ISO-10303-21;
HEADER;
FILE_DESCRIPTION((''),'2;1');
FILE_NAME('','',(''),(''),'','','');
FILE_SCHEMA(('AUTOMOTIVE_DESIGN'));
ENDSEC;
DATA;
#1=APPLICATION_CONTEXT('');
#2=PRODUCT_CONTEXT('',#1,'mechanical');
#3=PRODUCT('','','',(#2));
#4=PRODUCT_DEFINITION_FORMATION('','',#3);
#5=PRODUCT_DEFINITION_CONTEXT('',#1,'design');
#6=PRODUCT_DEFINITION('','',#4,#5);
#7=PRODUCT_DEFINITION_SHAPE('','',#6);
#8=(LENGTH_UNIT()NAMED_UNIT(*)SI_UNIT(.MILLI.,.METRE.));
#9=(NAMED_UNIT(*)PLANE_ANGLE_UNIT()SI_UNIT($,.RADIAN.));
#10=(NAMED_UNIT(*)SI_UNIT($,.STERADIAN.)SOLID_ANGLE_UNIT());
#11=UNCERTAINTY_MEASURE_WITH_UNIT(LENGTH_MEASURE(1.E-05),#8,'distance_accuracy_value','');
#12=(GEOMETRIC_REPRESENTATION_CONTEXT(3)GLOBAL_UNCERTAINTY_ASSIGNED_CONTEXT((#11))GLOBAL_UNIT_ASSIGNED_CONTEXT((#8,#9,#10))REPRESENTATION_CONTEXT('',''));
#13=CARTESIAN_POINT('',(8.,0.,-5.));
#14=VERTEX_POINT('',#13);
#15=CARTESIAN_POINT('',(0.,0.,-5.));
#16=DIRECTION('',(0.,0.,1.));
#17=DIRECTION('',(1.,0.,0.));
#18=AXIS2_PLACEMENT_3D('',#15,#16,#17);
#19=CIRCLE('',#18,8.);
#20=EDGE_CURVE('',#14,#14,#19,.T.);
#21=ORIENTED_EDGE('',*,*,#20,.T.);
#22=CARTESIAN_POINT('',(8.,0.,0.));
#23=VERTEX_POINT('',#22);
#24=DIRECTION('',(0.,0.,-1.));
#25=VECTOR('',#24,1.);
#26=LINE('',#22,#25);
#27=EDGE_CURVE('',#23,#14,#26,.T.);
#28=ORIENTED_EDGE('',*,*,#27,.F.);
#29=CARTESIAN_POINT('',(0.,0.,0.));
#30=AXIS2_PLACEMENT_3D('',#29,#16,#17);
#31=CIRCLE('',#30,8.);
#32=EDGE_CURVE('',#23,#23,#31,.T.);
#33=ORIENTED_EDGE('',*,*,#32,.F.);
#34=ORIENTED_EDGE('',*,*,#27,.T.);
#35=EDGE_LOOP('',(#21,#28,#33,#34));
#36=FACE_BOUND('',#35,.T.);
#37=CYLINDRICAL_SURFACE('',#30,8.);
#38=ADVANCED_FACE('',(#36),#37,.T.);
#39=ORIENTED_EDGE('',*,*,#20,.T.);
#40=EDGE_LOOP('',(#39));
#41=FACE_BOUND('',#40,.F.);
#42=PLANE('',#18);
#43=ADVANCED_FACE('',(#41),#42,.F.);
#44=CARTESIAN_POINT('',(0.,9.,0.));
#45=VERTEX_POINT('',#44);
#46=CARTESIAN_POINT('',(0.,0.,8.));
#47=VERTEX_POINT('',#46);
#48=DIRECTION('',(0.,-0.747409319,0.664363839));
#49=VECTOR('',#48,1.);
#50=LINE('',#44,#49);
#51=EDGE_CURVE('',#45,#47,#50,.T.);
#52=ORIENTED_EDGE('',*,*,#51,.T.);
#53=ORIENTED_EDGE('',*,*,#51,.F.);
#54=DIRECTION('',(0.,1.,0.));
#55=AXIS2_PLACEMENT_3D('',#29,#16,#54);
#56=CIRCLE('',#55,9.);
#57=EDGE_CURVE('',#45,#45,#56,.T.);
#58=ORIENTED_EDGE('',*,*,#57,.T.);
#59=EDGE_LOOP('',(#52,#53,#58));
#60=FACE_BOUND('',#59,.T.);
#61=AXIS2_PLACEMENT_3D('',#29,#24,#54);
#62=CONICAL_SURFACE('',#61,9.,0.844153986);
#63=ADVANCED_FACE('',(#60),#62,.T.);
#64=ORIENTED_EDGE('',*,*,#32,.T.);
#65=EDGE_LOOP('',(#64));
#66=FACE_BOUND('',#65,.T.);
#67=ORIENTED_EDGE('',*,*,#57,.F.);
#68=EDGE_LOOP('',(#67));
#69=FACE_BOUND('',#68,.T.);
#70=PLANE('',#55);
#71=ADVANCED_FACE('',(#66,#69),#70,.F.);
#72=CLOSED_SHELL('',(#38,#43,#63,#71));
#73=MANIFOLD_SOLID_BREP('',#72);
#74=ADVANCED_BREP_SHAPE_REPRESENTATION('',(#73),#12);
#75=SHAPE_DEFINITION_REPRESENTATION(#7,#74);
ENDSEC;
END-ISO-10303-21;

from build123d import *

# Parameters (mm, degrees)
F0_R     = 8
F1_DEPTH = 5


with BuildPart() as f1:
    # F0 (on Top) → F1 (new body)
    with BuildSketch(Plane.XY):
        Circle(F0_R)
    extrude(amount=-F1_DEPTH)

    # F2 (on Right) → F3 (revolve)
    with BuildSketch(Plane.YZ):
        Polygon((0, 8), (0, 0), (9, 0), align=None)
    revolve(axis=Axis((0, 0, 4), (0, 0, 1)))


solid = f1.part
